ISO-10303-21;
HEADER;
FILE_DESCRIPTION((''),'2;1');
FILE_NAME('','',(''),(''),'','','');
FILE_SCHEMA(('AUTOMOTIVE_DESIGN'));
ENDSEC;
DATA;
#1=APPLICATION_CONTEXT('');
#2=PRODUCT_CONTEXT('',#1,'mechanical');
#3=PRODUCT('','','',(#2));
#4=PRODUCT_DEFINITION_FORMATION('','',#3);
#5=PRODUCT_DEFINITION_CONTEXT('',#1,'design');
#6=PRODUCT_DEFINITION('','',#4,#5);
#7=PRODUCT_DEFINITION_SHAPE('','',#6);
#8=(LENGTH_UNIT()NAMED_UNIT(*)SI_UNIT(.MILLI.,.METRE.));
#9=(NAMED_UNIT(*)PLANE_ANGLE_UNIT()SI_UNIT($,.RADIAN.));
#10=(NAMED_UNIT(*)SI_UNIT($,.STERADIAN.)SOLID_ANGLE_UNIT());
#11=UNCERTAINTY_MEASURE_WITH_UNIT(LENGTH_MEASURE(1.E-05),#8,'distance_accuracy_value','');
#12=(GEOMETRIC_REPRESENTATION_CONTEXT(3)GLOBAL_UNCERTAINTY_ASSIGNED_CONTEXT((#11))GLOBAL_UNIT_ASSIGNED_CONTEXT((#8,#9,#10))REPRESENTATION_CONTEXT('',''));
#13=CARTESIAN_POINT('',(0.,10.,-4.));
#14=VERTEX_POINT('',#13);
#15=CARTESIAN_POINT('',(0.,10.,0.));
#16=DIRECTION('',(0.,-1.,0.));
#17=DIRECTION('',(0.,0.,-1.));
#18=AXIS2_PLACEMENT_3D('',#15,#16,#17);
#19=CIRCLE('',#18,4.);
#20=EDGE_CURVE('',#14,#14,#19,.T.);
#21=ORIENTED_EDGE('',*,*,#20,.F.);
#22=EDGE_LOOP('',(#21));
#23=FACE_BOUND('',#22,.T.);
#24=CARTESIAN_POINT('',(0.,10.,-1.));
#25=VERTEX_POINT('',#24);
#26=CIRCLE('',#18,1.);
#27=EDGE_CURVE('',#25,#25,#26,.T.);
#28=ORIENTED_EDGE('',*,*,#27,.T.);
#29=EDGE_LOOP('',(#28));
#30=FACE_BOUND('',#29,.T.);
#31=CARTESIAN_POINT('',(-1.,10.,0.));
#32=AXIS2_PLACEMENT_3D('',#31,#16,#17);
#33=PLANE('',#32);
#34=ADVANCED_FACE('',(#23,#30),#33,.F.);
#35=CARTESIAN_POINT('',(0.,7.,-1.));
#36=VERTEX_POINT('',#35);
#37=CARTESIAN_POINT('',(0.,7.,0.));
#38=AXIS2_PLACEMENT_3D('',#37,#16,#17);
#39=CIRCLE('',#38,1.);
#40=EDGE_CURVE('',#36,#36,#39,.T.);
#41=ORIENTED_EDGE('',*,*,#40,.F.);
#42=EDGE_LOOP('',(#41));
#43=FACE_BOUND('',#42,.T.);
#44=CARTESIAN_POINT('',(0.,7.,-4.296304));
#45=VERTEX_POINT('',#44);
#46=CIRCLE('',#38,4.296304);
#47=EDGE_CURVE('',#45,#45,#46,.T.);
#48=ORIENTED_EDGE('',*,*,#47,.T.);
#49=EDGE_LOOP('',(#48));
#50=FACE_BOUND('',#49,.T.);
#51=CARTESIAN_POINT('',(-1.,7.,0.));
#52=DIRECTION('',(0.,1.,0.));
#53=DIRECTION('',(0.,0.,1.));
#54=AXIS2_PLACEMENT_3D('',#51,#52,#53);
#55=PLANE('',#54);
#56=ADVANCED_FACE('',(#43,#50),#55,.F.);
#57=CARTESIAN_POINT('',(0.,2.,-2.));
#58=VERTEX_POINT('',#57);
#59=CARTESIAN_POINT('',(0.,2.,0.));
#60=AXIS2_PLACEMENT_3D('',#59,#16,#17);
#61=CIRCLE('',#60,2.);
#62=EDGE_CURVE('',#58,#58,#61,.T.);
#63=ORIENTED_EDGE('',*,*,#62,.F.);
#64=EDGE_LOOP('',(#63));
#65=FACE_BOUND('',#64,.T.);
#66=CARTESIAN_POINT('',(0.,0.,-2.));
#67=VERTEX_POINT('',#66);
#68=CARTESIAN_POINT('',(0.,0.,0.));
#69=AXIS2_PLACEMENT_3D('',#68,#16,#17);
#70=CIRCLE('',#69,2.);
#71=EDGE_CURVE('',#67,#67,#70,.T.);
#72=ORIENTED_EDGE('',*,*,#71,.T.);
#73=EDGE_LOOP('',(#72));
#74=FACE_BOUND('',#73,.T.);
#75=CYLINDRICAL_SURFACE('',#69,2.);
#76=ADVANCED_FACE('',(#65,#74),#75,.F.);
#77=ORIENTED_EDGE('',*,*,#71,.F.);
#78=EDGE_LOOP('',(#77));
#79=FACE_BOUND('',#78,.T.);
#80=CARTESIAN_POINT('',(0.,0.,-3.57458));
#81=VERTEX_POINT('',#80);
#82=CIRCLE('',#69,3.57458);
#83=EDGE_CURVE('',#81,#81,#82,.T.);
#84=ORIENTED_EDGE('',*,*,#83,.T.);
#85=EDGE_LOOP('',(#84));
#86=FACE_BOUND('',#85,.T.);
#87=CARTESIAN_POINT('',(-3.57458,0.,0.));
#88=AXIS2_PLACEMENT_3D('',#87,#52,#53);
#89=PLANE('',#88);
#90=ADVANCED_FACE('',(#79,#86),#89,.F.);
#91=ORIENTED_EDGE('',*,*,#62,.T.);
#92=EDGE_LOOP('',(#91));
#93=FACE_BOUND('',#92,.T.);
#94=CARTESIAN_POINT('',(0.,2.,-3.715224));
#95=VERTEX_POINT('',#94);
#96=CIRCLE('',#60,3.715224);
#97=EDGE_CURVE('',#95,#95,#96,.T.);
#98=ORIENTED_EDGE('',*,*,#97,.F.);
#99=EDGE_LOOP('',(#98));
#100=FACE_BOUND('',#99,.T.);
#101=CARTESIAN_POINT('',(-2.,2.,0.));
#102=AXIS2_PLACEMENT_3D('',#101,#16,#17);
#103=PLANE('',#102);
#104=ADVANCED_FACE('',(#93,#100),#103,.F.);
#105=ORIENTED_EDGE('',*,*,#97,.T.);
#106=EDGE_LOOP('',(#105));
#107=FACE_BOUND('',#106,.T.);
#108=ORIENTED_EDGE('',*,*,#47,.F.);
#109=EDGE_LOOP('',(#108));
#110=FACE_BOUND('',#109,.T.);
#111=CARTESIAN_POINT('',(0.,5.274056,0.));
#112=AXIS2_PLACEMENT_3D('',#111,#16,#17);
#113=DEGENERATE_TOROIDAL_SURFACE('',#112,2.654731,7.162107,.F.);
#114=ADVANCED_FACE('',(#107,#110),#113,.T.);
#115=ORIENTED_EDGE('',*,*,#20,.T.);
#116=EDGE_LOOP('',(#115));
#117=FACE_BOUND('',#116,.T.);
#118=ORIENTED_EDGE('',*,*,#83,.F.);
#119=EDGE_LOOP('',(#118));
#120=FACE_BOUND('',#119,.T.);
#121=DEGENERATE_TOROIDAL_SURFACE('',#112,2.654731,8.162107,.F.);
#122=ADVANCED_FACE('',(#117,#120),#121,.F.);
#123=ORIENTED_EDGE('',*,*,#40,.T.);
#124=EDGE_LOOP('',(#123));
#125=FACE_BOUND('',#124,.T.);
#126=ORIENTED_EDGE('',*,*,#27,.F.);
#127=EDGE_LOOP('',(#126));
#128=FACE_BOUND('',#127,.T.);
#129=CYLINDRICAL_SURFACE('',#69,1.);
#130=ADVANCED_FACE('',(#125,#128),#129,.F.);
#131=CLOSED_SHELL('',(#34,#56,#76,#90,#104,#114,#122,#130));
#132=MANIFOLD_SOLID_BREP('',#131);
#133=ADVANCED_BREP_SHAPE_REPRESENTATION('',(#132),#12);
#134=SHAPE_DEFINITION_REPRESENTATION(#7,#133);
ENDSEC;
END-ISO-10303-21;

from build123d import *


with BuildPart() as part:
    # Sketch1 → Revolve1 (revolve)
    with BuildSketch(Plane.XY, mode=Mode.PRIVATE) as revolve1_sk:
        with BuildLine():
            Line((-1, 10), (-4, 10))
            ThreePointArc((-4, 10), (-5.5, 4.92713794), (-3.574580251, 0))
            Line((-3.574580251, 0), (-2, 0))
            Line((-2, 0), (-2, 2))
            Line((-2, 2), (-3.715224327, 2))
            ThreePointArc((-3.715224327, 2), (-4.459494144, 4.447269331), (-4.296304477, 7))
            Line((-4.296304477, 7), (-1, 7))
            Line((-1, 7), (-1, 10))
        make_face()
    revolve(revolve1_sk.sketch.rotate(Axis((0, 0, 0), (0, 1, 0)), 270), axis=Axis((0, 0, 0), (0, 1, 0)))


solid = part.part
